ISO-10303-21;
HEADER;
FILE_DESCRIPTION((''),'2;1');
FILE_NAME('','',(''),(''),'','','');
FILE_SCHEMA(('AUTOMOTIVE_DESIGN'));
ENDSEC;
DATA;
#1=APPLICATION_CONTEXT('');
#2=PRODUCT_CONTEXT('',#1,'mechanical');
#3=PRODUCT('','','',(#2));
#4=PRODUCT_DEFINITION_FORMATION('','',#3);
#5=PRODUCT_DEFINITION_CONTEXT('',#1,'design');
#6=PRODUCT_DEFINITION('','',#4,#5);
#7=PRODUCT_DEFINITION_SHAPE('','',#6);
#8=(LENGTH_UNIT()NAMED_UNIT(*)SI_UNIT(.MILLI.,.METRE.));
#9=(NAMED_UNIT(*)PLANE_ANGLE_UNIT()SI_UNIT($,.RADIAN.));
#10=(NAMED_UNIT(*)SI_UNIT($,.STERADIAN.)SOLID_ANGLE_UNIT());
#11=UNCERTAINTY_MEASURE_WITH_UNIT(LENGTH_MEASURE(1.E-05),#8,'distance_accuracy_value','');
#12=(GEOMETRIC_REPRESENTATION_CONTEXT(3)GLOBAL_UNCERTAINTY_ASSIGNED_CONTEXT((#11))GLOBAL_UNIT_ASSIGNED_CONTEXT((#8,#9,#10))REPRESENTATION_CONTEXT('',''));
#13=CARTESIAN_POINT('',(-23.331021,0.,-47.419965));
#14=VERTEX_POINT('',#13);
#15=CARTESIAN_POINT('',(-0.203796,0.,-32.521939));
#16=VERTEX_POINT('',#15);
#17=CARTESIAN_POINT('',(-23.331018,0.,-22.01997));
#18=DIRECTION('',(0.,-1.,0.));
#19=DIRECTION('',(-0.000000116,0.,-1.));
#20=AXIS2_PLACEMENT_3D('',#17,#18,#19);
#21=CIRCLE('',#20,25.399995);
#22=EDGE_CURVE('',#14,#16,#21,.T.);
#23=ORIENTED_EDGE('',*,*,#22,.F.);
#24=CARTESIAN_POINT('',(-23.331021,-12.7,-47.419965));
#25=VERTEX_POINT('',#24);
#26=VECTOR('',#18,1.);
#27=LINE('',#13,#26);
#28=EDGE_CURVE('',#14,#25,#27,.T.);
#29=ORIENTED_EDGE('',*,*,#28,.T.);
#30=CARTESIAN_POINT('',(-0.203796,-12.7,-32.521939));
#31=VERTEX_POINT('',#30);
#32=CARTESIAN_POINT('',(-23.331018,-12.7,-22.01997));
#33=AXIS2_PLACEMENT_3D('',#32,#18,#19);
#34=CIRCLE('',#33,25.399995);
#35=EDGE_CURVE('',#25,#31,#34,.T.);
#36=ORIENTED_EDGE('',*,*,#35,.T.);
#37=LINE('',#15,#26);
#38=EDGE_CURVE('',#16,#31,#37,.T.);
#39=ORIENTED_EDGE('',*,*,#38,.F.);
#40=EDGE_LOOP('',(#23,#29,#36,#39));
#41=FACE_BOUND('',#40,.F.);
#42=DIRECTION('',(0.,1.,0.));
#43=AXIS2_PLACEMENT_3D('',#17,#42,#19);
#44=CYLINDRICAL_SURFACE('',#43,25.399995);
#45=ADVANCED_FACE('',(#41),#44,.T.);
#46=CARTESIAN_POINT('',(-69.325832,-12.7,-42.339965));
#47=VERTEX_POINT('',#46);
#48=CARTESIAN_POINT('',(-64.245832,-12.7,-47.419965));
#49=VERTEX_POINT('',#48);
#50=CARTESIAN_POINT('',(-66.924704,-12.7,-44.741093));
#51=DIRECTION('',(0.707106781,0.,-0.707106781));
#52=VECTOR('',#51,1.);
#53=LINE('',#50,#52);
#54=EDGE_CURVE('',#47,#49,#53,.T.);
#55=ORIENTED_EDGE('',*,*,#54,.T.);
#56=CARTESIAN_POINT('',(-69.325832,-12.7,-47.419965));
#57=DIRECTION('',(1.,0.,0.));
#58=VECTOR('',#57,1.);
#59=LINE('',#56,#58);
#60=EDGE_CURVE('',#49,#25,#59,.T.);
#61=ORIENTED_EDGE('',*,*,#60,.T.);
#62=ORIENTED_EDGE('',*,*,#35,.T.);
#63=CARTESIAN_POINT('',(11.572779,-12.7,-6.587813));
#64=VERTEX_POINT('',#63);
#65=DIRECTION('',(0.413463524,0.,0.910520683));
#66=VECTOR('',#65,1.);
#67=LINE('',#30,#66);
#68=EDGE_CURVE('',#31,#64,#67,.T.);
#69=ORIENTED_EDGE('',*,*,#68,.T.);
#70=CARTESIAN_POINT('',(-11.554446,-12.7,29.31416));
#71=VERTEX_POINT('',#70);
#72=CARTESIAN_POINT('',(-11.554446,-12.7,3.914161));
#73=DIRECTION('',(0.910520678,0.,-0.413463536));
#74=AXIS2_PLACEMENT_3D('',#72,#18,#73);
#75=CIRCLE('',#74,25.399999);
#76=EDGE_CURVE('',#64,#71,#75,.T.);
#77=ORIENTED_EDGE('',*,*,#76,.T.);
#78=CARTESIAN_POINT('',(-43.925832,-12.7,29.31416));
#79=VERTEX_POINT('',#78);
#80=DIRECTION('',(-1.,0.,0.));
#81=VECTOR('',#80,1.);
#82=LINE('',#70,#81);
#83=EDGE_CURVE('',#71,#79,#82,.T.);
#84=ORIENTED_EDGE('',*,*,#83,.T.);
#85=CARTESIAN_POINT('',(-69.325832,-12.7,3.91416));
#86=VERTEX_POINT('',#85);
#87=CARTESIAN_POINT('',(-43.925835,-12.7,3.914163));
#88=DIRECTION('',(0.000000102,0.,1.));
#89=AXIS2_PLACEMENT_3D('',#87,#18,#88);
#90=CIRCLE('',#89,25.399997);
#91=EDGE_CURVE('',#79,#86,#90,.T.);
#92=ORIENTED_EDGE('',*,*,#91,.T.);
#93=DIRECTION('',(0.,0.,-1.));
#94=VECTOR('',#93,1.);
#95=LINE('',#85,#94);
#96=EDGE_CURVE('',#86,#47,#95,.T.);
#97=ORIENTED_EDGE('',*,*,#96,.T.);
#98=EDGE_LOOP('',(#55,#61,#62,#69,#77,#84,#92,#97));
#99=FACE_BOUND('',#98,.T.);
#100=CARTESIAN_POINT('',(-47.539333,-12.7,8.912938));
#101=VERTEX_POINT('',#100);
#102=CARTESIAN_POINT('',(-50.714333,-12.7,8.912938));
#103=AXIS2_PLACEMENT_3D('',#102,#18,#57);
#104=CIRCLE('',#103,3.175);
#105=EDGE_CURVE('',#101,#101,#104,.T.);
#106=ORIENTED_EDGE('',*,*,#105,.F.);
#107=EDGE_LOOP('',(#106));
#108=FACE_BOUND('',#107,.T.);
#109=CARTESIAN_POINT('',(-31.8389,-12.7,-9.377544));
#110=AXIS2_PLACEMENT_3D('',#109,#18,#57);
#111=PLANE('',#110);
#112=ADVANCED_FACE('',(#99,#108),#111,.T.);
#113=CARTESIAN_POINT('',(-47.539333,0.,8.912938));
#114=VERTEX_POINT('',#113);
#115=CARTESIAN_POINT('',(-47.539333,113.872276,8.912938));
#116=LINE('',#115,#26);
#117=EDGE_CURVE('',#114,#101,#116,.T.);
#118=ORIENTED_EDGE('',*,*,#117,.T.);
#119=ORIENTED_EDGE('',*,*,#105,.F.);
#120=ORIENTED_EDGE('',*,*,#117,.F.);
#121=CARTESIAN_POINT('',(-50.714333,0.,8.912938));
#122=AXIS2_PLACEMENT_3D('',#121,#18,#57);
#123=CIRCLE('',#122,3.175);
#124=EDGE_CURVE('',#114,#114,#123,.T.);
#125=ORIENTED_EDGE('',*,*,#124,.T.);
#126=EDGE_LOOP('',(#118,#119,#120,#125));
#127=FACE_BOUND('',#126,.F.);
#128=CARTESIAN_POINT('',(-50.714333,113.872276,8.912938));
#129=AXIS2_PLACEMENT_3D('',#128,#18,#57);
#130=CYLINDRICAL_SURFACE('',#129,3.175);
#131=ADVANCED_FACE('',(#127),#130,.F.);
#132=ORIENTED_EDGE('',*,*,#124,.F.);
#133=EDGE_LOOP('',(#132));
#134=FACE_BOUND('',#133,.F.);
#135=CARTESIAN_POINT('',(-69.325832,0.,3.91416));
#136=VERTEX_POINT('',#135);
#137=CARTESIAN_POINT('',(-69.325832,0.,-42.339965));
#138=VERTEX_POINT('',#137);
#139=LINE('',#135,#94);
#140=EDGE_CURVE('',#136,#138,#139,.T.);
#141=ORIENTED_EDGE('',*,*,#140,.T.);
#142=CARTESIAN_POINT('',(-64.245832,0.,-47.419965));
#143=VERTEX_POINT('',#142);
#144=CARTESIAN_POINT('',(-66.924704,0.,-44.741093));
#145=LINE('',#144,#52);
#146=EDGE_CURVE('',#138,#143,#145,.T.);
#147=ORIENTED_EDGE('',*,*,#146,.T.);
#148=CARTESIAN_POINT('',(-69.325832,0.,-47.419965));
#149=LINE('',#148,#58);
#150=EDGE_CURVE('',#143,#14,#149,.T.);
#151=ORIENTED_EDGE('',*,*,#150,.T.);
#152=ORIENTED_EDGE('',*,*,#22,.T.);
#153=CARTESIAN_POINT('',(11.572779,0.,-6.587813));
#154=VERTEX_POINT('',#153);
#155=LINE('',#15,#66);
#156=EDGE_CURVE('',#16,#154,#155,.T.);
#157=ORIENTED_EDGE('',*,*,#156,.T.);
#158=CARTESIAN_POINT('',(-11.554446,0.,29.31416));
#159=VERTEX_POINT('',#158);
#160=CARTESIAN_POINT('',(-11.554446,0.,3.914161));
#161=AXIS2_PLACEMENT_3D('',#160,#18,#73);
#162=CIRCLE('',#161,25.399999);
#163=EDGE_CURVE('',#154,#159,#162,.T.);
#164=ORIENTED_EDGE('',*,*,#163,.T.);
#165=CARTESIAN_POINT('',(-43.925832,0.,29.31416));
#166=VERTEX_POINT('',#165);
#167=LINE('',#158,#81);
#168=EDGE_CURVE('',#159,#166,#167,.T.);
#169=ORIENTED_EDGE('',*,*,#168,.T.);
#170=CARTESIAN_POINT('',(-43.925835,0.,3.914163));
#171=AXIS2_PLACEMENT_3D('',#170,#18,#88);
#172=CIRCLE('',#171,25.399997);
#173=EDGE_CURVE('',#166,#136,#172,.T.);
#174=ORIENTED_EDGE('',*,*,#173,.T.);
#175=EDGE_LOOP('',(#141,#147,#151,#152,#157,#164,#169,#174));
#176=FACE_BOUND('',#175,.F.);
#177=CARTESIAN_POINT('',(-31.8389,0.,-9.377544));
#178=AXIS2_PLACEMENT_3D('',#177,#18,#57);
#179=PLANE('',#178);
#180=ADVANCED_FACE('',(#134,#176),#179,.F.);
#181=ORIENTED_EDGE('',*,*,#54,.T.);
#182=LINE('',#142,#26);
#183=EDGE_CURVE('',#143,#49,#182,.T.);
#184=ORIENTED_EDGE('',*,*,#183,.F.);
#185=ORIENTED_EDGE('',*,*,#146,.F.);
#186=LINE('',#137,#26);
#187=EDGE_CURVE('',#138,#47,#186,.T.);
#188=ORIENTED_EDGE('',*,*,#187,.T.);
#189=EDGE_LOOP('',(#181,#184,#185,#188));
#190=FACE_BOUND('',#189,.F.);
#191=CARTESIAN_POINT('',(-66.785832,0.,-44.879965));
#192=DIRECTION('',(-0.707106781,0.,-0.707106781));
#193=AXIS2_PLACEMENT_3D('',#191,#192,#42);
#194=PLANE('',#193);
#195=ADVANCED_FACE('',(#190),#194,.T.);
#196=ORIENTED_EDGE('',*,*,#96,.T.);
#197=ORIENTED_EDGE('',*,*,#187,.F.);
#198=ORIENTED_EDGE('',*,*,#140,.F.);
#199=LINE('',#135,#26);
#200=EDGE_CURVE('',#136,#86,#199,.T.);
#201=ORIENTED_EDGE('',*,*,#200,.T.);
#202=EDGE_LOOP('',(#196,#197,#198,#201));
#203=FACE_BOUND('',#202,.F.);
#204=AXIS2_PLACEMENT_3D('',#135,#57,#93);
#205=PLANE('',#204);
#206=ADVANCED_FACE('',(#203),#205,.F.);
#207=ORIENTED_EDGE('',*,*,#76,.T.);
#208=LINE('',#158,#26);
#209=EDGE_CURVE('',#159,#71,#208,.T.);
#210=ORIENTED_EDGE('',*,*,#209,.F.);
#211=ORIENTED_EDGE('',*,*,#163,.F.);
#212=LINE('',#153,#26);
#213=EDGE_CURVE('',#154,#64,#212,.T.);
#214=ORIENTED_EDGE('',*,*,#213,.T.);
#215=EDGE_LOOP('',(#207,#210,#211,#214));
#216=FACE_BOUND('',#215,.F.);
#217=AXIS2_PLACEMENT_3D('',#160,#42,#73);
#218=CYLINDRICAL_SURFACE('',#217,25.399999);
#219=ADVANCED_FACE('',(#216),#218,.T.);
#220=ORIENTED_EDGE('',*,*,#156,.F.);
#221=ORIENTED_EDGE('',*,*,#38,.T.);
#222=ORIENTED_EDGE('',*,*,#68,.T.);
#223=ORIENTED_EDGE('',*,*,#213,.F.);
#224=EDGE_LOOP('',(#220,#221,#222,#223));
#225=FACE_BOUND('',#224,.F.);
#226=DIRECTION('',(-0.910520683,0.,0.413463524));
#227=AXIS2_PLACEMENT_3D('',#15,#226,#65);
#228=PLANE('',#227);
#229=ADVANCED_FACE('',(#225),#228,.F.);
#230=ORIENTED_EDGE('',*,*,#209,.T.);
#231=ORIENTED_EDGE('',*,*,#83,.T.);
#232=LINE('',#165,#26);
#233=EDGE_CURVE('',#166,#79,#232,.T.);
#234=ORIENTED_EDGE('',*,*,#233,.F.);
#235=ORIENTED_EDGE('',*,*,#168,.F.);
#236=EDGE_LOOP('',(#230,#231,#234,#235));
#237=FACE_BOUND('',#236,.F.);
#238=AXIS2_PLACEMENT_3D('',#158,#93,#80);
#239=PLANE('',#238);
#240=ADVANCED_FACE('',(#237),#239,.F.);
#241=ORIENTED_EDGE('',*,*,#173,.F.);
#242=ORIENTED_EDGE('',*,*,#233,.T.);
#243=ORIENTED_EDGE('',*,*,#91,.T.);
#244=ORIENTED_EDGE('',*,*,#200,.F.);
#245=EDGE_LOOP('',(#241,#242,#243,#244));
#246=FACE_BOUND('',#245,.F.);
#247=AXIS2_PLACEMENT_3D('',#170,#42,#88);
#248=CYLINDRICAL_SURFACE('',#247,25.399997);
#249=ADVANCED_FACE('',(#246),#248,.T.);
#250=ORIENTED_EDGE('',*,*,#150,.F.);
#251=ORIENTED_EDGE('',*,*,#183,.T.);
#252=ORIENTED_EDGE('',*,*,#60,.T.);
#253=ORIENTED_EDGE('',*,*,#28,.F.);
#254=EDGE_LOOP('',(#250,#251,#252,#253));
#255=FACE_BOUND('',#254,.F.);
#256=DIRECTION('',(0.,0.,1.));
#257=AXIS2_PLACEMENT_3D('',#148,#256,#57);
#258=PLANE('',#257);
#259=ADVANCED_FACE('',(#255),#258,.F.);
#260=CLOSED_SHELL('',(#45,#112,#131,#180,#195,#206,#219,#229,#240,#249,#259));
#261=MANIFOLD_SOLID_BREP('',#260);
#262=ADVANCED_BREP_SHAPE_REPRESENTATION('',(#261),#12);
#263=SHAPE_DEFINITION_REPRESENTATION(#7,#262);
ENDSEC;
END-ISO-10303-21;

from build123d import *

# Parameters (mm, degrees)
F1_DEPTH = 12.7
F3_D     = 6.35
F4_SIZE  = 5.08


with BuildPart() as f1:
    # F0 (on Front) → F1 (new body)
    with BuildSketch(Plane.XZ):
        with BuildLine():
            ThreePointArc((-43.925832, 29.31416), (-61.886345, 21.874673), (-69.325832, 3.91416))
            Line((-69.325832, 3.91416), (-69.325832, -47.419965))
            Line((-69.325832, -47.419965), (-23.331021, -47.419965))
            ThreePointArc((-23.331021, -47.419965), (-9.575842, -43.37307), (-0.203796, -32.521939))
            Line((-0.203796, -32.521939), (11.572779, -6.587813))
            ThreePointArc((11.572779, -6.587813), (9.798658, 17.669339), (-11.554446, 29.31416))
            Line((-11.554446, 29.31416), (-43.925832, 29.31416))
        make_face()
    extrude(amount=F1_DEPTH)

    # F3 (through all)
    with Locations(Plane(origin=(0, 0, 0), x_dir=(-1, 0, 0), z_dir=(0, 1, 0))):
        with Locations((50.714333, 8.912938)):
            Hole(F3_D / 2)

    # F4
    f4_edges = [f1.edges().sort_by_distance(p)[0] for p in [
        (-69.325832, -6.35, -47.419965),
    ]]
    chamfer(f4_edges, length=F4_SIZE)


solid = f1.part
